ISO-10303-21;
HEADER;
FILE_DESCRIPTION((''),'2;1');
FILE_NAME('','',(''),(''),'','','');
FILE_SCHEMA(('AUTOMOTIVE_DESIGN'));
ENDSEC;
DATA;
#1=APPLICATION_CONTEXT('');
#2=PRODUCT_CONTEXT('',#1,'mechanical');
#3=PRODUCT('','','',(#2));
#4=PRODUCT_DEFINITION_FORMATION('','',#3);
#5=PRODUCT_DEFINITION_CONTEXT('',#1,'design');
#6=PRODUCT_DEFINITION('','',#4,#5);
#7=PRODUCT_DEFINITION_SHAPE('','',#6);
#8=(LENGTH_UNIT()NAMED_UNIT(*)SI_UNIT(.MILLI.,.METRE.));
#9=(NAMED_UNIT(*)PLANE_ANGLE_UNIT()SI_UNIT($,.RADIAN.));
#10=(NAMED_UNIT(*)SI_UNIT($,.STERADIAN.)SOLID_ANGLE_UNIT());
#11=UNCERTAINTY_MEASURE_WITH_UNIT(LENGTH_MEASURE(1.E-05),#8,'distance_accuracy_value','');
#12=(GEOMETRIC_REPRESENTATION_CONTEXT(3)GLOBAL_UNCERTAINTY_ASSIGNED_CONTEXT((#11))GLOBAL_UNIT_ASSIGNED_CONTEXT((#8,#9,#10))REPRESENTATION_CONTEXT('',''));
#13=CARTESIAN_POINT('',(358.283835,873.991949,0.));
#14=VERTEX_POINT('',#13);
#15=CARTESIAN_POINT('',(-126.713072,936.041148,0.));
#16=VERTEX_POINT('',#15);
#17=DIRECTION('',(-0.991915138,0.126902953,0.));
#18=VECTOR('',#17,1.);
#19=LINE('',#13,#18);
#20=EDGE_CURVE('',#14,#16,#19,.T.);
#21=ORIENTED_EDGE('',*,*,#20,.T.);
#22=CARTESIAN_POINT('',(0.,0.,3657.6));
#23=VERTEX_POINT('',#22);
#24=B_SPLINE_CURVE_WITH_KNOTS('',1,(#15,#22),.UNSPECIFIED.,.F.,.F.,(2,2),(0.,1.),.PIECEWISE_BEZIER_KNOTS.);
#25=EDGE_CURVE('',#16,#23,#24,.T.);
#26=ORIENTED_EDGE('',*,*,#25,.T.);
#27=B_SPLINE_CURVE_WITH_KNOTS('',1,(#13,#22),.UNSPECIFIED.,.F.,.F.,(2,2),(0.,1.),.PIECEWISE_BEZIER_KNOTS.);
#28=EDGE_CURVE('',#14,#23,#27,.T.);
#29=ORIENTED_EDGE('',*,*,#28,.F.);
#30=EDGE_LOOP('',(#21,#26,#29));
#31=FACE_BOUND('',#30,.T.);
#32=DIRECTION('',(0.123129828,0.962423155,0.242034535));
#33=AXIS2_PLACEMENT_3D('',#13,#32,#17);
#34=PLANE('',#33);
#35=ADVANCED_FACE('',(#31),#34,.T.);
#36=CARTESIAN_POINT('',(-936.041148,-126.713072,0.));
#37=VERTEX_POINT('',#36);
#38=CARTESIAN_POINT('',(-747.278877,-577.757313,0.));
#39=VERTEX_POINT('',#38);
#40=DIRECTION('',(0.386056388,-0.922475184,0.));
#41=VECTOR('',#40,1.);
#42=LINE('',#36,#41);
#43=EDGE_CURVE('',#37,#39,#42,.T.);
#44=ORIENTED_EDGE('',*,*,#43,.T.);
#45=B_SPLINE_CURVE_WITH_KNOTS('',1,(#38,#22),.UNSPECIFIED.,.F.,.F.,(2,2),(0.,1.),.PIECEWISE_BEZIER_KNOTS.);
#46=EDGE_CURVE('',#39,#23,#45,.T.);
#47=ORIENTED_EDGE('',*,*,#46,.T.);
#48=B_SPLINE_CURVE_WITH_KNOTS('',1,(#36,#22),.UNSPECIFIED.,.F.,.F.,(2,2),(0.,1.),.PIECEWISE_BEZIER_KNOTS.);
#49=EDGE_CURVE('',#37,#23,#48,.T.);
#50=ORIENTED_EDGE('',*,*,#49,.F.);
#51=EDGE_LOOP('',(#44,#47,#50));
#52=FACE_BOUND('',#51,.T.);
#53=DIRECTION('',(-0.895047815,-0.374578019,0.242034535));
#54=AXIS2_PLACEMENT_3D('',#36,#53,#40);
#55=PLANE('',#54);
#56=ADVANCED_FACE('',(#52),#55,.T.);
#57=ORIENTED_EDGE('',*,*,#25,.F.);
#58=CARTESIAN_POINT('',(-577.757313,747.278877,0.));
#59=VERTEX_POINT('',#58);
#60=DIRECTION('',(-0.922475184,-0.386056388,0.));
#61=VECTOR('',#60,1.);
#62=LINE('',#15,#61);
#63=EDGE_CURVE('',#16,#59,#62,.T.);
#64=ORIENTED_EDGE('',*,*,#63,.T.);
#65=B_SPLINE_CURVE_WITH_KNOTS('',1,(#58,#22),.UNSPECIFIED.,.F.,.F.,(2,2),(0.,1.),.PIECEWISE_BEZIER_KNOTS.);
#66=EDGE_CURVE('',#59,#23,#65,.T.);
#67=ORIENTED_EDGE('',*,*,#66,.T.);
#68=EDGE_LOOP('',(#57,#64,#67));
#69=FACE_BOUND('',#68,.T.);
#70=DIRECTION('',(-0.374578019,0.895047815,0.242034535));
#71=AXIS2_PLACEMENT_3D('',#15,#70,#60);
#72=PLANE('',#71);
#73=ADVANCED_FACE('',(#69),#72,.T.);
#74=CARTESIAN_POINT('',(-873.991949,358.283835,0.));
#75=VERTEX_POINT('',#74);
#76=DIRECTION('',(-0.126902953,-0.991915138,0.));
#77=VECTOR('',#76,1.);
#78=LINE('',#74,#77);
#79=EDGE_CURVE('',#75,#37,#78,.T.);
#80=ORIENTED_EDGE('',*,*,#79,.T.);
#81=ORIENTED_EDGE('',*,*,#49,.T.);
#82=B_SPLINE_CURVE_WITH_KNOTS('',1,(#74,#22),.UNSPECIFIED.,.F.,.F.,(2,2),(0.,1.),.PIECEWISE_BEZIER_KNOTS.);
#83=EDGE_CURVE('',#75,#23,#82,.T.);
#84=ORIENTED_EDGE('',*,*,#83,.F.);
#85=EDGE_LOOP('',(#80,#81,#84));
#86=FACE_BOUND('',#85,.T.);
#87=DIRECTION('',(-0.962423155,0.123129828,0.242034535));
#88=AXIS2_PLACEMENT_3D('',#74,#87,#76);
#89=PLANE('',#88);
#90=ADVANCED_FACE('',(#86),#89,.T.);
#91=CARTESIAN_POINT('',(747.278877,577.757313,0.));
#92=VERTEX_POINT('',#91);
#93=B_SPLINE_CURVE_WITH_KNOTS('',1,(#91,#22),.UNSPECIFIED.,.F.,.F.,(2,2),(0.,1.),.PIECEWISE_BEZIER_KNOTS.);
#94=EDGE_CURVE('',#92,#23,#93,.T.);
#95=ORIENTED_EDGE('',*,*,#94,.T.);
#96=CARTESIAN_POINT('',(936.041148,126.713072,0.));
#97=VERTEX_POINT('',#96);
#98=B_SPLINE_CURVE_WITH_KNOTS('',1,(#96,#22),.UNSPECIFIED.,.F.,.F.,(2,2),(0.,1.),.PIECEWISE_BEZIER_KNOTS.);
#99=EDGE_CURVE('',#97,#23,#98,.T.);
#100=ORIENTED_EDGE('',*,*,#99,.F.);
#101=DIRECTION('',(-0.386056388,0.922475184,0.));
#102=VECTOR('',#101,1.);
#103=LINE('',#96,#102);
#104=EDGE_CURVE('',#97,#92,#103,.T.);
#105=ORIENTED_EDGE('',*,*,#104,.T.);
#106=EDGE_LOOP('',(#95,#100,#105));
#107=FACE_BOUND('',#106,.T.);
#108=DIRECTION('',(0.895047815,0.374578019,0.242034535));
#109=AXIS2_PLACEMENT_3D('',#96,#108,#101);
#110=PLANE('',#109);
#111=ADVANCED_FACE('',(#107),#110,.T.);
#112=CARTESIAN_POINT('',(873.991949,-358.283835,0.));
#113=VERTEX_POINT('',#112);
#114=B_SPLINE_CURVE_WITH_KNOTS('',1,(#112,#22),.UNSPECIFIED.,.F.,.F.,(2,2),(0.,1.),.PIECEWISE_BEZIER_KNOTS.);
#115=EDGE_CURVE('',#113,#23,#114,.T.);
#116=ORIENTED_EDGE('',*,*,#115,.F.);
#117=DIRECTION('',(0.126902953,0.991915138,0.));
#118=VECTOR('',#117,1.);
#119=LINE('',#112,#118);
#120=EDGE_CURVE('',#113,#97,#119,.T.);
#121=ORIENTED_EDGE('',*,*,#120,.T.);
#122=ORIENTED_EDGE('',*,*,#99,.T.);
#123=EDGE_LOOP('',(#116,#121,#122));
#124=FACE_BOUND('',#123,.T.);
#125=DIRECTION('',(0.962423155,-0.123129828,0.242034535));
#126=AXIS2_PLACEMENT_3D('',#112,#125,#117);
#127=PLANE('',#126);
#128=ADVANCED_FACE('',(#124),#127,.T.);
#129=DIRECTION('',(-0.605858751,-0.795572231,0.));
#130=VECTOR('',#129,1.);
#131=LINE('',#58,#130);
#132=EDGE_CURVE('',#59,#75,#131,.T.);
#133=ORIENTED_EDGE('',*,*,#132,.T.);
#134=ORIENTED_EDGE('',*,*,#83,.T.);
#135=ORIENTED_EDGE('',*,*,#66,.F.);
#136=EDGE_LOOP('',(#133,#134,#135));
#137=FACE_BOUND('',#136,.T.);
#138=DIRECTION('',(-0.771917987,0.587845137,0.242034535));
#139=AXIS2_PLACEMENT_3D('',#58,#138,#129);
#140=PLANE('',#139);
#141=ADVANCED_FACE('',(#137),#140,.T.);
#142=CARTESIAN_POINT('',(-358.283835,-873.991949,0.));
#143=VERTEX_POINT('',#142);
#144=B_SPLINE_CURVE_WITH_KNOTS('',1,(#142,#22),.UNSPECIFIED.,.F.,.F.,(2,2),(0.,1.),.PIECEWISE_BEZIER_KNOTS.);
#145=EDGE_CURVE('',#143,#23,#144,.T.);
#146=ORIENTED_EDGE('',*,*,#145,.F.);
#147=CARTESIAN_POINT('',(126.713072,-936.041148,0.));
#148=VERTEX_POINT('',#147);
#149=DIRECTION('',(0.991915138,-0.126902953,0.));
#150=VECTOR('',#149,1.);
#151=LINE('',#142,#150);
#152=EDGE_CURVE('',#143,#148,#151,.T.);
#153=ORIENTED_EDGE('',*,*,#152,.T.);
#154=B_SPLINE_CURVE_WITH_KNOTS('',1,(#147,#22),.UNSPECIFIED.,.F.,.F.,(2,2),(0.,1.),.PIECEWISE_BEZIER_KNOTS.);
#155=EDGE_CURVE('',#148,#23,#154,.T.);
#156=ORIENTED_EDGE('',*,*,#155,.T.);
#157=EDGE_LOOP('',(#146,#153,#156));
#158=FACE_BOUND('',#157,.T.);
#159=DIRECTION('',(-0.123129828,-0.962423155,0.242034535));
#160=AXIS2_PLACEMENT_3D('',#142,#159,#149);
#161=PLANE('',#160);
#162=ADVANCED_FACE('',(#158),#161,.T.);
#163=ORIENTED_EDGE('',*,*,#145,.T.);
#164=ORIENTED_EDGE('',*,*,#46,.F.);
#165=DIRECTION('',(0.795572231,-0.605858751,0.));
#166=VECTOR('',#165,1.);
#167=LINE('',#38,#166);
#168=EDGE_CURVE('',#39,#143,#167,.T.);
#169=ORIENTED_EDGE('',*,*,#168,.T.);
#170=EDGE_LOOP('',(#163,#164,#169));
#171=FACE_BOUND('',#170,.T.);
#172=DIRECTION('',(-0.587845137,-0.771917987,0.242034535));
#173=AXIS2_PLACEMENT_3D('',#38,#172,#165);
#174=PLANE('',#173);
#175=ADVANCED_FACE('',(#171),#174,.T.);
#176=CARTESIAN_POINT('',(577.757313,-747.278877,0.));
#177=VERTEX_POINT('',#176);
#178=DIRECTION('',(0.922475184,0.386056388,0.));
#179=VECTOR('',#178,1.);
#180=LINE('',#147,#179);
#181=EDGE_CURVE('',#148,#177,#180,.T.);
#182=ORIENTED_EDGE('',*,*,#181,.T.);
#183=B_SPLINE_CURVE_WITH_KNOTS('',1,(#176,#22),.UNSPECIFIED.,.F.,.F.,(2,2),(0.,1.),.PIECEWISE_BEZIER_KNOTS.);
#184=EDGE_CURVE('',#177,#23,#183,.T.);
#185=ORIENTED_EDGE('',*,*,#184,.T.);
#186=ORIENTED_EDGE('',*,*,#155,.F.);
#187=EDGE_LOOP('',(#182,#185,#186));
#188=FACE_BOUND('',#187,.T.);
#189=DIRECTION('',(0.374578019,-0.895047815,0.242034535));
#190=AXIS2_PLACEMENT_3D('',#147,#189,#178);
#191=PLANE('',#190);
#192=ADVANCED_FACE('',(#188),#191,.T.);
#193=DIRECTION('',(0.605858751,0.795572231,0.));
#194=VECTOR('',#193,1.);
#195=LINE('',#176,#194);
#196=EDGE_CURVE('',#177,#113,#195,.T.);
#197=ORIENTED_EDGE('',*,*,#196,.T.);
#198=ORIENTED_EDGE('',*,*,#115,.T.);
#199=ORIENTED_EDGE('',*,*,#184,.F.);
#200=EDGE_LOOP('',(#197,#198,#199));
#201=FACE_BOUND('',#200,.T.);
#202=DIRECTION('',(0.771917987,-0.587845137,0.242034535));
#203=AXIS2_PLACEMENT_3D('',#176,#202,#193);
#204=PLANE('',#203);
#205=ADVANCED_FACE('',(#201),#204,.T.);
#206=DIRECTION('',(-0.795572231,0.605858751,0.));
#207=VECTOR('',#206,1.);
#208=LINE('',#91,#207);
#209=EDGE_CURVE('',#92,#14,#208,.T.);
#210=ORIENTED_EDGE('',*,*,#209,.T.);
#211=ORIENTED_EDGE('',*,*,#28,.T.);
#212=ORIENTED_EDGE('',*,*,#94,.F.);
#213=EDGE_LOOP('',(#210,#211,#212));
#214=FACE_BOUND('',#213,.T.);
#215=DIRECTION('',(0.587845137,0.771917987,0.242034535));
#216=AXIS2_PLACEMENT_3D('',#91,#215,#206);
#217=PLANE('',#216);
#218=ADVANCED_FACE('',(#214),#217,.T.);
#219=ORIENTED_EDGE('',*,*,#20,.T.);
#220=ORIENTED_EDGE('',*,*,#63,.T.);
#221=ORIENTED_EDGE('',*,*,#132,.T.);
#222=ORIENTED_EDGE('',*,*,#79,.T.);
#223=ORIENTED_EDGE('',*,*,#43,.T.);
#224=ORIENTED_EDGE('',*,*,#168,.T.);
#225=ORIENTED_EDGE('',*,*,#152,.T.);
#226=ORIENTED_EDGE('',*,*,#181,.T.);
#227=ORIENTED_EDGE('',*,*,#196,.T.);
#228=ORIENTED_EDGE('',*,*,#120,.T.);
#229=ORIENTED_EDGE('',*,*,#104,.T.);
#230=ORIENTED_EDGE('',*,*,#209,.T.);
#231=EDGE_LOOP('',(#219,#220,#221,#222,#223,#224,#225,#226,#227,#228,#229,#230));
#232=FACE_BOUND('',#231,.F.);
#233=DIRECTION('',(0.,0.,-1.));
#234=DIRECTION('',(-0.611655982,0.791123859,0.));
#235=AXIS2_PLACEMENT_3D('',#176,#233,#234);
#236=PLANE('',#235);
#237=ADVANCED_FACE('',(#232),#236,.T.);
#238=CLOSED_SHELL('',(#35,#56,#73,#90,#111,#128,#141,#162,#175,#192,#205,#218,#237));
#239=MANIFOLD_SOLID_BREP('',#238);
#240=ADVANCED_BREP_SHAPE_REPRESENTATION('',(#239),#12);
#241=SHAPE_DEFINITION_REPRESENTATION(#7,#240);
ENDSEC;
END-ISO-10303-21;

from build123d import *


with BuildPart() as f2:
    # F0 (on Top) → F2 section 0
    with BuildSketch(Plane.XY, mode=Mode.PRIVATE) as f2_s0:
        Polygon((577.757313, -747.278877), (873.991949, -358.283835), (936.041148, 126.713072), (747.278877, 577.757313), (358.283835, 873.991949), (-126.713072, 936.041148), (-577.757313, 747.278877), (-873.991949, 358.283835), (-936.041148, -126.713072), (-747.278877, -577.757313), (-358.283835, -873.991949), (126.713072, -936.041148), align=None)
    loft([f2_s0.sketch, Vertex(0, 0, 3657.6)])


solid = f2.part
